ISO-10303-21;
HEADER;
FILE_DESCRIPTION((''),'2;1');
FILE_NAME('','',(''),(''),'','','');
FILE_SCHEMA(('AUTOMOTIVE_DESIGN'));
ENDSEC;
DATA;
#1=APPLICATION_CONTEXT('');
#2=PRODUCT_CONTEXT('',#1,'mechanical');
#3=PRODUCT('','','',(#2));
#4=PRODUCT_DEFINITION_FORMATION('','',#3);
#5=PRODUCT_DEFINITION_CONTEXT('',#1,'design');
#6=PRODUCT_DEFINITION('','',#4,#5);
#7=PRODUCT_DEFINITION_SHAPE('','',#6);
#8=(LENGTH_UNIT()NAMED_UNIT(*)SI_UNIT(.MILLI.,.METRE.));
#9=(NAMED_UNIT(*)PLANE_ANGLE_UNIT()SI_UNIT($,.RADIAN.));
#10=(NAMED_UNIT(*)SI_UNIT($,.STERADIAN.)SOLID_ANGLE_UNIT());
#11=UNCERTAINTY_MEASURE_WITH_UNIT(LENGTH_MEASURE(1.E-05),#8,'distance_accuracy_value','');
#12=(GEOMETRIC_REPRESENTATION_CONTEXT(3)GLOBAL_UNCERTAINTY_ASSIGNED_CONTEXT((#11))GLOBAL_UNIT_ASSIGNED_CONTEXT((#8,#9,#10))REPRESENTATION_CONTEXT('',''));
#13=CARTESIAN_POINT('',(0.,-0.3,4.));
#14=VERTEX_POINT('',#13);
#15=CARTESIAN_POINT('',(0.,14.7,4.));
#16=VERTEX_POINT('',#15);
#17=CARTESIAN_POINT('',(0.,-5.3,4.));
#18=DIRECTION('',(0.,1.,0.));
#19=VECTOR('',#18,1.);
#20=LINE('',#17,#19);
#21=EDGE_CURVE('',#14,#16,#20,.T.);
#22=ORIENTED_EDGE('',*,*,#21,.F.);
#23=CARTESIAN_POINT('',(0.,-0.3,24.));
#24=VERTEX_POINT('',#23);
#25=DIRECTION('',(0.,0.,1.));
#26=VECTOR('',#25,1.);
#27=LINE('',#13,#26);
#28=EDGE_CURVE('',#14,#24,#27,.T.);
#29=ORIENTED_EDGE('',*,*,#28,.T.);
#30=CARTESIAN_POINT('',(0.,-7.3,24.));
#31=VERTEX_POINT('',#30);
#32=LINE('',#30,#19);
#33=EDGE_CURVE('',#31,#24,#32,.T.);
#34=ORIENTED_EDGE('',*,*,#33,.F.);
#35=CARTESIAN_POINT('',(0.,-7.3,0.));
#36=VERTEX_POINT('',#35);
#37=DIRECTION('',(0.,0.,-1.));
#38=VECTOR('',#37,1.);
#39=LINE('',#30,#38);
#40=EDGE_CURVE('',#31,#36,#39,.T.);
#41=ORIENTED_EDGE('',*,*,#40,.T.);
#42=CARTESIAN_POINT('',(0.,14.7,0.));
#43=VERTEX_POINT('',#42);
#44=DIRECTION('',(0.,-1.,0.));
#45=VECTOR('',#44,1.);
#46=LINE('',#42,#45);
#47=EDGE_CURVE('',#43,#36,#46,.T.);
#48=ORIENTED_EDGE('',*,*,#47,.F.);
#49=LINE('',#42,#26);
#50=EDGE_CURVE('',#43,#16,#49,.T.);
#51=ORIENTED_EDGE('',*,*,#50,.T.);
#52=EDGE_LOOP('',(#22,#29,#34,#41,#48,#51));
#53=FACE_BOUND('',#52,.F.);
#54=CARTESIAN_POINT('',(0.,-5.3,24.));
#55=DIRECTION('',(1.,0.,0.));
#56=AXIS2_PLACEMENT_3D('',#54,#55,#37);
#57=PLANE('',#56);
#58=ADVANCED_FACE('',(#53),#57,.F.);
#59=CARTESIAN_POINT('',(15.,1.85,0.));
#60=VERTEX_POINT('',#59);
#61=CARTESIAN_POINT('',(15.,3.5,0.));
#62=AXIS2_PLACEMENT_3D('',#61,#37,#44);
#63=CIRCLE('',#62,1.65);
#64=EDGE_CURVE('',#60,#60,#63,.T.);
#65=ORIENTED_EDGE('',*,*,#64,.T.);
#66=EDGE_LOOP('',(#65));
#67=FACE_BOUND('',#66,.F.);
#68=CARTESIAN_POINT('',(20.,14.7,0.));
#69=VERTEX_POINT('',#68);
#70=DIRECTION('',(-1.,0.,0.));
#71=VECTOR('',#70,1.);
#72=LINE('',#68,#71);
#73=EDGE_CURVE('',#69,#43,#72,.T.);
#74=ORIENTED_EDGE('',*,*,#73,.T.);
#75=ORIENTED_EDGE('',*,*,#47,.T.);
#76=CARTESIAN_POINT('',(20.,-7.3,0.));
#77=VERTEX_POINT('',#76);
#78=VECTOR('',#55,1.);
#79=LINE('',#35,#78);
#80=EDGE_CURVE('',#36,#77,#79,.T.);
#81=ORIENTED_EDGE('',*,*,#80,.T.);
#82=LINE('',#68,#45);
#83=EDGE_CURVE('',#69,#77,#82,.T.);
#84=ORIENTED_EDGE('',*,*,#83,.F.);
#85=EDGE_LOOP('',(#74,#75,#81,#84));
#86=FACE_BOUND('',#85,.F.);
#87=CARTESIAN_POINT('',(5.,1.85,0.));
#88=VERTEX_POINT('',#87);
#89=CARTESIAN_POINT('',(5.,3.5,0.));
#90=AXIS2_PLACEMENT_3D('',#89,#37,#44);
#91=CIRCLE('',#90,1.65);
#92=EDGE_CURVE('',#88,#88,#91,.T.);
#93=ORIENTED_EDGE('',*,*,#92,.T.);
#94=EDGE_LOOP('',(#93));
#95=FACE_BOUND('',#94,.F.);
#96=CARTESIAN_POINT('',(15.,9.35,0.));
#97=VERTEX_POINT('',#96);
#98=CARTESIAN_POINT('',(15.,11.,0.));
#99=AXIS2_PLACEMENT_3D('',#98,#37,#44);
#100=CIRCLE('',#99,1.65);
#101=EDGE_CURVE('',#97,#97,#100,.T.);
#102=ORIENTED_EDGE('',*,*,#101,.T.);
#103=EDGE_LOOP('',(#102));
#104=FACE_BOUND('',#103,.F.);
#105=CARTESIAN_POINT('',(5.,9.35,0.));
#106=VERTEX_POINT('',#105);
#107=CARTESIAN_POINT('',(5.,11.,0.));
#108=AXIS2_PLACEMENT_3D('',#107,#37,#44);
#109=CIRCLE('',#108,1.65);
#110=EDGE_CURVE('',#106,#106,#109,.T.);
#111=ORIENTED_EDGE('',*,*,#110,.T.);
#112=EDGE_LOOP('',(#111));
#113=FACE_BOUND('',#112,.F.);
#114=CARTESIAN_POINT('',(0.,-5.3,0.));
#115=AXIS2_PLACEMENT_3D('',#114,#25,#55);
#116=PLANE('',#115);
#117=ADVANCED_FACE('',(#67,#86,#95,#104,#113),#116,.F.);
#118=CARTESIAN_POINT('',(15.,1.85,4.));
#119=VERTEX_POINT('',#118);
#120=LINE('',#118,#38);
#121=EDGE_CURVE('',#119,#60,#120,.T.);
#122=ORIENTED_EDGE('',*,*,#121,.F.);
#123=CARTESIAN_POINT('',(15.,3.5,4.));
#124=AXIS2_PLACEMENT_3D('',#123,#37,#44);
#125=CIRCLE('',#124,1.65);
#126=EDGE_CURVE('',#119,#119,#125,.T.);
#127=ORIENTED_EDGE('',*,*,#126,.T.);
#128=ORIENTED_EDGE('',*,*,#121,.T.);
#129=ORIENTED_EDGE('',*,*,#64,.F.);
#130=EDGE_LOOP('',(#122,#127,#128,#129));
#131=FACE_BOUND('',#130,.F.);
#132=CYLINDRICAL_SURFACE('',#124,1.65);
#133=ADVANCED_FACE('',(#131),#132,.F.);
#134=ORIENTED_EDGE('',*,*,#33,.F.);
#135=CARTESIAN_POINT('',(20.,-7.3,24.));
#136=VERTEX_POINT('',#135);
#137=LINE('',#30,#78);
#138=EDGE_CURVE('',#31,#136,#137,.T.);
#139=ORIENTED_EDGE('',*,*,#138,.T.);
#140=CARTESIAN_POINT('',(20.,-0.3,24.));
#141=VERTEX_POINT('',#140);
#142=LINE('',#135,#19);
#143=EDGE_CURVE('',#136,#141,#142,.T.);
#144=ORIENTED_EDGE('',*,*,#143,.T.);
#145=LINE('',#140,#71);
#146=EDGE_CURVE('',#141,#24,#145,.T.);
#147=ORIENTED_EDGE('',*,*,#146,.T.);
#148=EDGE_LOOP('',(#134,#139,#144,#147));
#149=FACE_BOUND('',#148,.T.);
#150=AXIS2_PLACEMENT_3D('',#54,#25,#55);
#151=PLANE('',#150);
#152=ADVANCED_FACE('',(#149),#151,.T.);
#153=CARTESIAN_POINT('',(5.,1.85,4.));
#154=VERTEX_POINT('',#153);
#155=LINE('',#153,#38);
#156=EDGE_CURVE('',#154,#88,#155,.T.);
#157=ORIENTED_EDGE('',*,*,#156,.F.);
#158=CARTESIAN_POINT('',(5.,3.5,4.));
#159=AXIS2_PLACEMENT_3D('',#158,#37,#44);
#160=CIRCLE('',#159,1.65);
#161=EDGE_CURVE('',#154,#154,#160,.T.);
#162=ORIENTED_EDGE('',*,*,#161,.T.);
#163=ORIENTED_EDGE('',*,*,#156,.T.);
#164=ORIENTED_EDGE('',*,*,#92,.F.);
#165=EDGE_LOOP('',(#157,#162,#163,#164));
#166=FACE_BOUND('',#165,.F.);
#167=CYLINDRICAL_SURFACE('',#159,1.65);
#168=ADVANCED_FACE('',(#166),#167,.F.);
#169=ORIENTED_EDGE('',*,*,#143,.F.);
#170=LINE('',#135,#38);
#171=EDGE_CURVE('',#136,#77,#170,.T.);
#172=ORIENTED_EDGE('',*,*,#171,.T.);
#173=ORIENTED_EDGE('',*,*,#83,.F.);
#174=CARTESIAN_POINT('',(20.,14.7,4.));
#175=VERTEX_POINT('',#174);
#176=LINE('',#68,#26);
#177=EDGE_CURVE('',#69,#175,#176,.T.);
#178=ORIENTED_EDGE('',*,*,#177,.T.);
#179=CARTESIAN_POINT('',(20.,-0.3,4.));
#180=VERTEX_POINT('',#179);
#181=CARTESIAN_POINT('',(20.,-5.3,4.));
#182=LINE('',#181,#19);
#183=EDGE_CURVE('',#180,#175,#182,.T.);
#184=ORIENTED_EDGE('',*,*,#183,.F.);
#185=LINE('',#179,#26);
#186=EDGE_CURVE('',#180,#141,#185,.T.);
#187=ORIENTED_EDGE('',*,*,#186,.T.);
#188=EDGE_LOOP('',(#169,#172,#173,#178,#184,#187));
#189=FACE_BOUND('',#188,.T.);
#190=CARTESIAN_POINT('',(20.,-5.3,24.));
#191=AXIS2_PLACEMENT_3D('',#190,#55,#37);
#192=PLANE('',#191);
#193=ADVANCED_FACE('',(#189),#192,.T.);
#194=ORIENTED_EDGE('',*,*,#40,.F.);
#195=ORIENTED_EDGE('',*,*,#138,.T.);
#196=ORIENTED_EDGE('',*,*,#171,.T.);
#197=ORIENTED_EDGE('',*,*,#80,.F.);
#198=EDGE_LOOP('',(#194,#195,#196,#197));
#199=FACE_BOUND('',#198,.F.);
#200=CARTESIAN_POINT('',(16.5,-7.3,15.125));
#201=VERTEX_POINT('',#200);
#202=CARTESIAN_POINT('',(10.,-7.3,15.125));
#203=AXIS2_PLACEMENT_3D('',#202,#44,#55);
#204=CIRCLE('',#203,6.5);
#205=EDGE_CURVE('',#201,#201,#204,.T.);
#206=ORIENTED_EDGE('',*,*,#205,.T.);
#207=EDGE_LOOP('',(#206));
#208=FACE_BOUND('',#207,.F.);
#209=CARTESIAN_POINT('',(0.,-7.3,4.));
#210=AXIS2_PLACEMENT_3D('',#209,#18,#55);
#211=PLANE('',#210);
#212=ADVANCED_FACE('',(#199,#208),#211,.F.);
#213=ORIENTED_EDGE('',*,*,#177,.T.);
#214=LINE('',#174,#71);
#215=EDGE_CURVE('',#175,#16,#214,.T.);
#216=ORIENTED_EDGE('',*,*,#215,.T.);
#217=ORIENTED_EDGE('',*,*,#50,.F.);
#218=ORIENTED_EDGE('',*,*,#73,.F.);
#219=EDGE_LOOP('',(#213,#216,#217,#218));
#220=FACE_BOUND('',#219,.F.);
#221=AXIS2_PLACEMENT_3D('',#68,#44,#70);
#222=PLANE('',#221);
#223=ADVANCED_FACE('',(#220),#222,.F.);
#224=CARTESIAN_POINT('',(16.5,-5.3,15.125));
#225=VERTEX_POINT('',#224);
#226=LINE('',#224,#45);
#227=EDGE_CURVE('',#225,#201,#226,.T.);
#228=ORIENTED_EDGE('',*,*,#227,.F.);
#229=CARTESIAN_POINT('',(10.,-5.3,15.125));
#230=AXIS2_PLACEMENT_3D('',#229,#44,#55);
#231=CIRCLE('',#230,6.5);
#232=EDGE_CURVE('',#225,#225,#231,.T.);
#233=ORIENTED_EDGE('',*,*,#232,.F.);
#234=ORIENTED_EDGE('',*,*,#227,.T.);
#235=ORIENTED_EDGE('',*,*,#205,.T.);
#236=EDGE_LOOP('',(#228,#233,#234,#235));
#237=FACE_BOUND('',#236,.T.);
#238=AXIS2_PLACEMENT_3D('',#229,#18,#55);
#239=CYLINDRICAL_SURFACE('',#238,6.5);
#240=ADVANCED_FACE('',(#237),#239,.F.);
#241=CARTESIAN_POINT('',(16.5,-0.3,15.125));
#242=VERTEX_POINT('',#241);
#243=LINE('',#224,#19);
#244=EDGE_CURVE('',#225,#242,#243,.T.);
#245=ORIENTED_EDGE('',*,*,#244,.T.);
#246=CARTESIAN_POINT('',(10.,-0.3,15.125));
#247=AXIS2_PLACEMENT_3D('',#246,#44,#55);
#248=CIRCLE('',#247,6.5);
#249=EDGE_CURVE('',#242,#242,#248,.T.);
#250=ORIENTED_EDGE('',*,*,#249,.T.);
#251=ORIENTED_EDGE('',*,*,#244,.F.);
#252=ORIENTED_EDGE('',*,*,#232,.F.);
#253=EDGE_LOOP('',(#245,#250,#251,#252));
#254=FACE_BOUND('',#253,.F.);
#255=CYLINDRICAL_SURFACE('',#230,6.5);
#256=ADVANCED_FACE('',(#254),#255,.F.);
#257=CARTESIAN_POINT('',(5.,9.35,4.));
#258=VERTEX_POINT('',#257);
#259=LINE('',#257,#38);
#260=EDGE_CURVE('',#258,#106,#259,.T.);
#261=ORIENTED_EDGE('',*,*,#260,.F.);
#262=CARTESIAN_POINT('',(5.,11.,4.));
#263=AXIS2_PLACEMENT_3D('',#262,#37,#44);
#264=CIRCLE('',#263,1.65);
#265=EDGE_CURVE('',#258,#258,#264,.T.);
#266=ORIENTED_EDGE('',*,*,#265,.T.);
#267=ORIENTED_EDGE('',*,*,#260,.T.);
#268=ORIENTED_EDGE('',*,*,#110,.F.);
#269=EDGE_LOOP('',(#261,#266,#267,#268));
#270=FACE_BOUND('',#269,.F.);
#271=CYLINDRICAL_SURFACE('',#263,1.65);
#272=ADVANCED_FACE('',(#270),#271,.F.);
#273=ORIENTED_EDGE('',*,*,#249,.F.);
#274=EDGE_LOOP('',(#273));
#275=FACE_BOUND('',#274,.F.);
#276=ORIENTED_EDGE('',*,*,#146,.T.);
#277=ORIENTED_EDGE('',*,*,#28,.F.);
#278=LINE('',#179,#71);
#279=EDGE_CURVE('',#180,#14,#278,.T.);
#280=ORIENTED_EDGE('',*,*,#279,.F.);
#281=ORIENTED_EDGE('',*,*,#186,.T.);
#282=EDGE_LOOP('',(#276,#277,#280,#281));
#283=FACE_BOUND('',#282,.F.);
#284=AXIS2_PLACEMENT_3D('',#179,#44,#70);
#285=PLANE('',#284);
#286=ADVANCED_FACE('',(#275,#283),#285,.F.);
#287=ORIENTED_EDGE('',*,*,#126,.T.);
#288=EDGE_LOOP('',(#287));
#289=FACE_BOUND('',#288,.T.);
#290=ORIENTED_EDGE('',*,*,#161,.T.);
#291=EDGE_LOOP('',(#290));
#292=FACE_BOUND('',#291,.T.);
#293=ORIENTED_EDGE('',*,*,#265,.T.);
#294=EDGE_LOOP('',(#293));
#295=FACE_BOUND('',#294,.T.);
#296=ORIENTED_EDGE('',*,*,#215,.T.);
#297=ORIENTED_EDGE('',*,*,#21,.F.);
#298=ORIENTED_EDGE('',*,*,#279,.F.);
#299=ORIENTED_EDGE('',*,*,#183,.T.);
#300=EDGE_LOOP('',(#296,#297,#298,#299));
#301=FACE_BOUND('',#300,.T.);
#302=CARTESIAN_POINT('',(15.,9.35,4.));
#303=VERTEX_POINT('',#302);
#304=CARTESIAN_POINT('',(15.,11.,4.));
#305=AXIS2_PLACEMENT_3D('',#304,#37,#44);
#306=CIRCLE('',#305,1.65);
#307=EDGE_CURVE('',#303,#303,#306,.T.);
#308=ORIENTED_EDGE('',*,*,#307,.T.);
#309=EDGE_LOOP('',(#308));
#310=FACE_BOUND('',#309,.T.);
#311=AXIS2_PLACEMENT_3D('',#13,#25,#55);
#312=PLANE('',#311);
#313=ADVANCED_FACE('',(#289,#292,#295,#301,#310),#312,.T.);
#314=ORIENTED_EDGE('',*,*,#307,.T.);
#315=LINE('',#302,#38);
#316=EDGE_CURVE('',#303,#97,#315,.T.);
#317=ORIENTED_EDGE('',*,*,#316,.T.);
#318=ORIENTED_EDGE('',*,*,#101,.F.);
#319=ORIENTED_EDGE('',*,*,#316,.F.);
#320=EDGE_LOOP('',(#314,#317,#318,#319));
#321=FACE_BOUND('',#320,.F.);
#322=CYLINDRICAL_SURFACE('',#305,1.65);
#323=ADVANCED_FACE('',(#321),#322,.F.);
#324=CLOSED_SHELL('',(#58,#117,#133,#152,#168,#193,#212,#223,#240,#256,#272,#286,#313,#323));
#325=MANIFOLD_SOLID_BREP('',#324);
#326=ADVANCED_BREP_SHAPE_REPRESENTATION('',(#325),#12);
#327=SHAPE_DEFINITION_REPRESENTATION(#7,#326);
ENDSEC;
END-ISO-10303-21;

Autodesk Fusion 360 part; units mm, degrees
sketch "Sketch1" plane through (0, 0, 0) normal (0, 0, 1) x (1, 0, 0)
  line L0 (0, 0) -> (20, 0)
  line L1 (20, 0) -> (20, 15)
  line L2 (20, 15) -> (0, 15)
  line L3 (0, 15) -> (0, 0)
  dimension "d1" = 20
  dimension "d2" = 15
extrude "Extrude1" add sketch "Sketch1" along normal blind 4
sketch "Sketch2" plane through (0, 0, 4) normal (0, 0, 1) x (-1, 0, 0)
  line L0 (0, -15) -> (0, 0)
  line L1 (0, 0) -> (-20, 0)
  line L2 (-20, 0) -> (-20, -15)
  line L3 (-20, -15) -> (0, -15)
  point P0 (-5, -11)
  point P1 (-15, -11)
  point P2 (-15, -3.5)
  point P3 (-5, -3.5)
  dimension "d5" = 10
  dimension "d6" = 10
  dimension "d7" = 5
  dimension "d8" = 5
  dimension "d9" = 4
  dimension "d10" = 7.5
hole "Hole1" at (5, 11, 4) at (15, 11, 4) at (15, 3.5, 4) at (5, 3.5, 4) direction (0, 0, -1) diameter 3.3 depth 11 tip angle 118
extrude "Extrude2" cut 1 faces at (13.3333, 15, 1.3333) along direction (0, -1, 0) blind 0.3
extrude "Extrude3" add 1 faces at (6.6667, 0, 1.3333) along direction (0, -1, 0) blind 0.3
extrude "Extrude4" add 1 faces at (6.6667, -0.3, 1.3333) along direction (0, -1, 0) blind 5
sketch "Sketch3" plane through (0, 0, 4) normal (0, 0, 1) x (-1, 0, 0)
  line L0 (-20, -14.7) -> (0, -14.7)
  line L1 (0, -14.7) -> (0, 5.3)
  line L2 (0, 5.3) -> (-20, 5.3)
  line L3 (-20, 5.3) -> (-20, -14.7)
  circle A0 centre (-5, -3.5) radius 1.65
  circle A1 centre (-15, -11) radius 1.65
  circle A2 centre (-5, -11) radius 1.65
  circle A3 centre (-15, -3.5) radius 1.65
  line L4 (0, 5.3) -> (-20, 5.3)
  line L5 (-20, 5.3) -> (-20, 0.3)
  line L6 (-20, 0.3) -> (0, 0.3)
  line L7 (0, 0.3) -> (0, 5.3)
  dimension "d20" = 5
extrude "Extrude5" add sketch "Sketch3" along normal blind 20 contours L1 L2 L3 L4 L5 L6 L7
sketch "Sketch4" plane through (0, -0.3, 0) normal (0, 1, 0) x (-1, 0, 0)
  line L0 (-20, 4) -> (0, 4)
  line L1 (0, 4) -> (0, 24)
  line L2 (0, 24) -> (-20, 24)
  line L3 (-20, 24) -> (-20, 4)
  line L4 (0, 0) -> (-20, 0)
  point P0 (-10, 15.125)
  dimension "d23" = 15.125
  dimension "d24" = 10
hole "Hole2" at (10, -0.3, 15.125) direction (0, -1, 0) diameter 6.5 depth 11 tip angle 118
sketch "Sketch5" plane through (0, -0.3, 0) normal (0, 1, 0) x (-1, 0, 0)
  circle A0 centre (-10, 15.125) radius 3.25
  line L0 (-20, 4) -> (0, 4)
  line L1 (0, 4) -> (0, 24)
  line L2 (0, 24) -> (-20, 24)
  line L3 (-20, 24) -> (-20, 4)
  circle A1 centre (-10, 15.125) radius 3.75
  dimension "d28" = 7.5
extrude "Extrude6" cut sketch "Sketch5" against normal blind 12.823 contours A1
sketch "Sketch6" plane through (0, -5.3, 0) normal (0, -1, 0) x (1, 0, 0)
  circle A0 centre (10, 15.125) radius 3.75
  line L0 (0, 0) -> (20, 0)
  line L1 (20, 0) -> (20, 24)
  line L2 (20, 24) -> (0, 24)
  line L3 (0, 24) -> (0, 0)
  circle A1 centre (10, 15.125) radius 6.5
  dimension "d31" = 13
extrude "Extrude7" cut sketch "Sketch6" against normal blind 68.492 contours A1
extrude "Extrude8" add 1 faces at (9.8381, -5.3, 2.8811) along direction (0, -1, 0) blind 2
equation "d9 = 2.3 mm + 1.7 mm"
equation "d23 = 18.3 mm - ( 6.35 / 2 ) * 1 mm"
